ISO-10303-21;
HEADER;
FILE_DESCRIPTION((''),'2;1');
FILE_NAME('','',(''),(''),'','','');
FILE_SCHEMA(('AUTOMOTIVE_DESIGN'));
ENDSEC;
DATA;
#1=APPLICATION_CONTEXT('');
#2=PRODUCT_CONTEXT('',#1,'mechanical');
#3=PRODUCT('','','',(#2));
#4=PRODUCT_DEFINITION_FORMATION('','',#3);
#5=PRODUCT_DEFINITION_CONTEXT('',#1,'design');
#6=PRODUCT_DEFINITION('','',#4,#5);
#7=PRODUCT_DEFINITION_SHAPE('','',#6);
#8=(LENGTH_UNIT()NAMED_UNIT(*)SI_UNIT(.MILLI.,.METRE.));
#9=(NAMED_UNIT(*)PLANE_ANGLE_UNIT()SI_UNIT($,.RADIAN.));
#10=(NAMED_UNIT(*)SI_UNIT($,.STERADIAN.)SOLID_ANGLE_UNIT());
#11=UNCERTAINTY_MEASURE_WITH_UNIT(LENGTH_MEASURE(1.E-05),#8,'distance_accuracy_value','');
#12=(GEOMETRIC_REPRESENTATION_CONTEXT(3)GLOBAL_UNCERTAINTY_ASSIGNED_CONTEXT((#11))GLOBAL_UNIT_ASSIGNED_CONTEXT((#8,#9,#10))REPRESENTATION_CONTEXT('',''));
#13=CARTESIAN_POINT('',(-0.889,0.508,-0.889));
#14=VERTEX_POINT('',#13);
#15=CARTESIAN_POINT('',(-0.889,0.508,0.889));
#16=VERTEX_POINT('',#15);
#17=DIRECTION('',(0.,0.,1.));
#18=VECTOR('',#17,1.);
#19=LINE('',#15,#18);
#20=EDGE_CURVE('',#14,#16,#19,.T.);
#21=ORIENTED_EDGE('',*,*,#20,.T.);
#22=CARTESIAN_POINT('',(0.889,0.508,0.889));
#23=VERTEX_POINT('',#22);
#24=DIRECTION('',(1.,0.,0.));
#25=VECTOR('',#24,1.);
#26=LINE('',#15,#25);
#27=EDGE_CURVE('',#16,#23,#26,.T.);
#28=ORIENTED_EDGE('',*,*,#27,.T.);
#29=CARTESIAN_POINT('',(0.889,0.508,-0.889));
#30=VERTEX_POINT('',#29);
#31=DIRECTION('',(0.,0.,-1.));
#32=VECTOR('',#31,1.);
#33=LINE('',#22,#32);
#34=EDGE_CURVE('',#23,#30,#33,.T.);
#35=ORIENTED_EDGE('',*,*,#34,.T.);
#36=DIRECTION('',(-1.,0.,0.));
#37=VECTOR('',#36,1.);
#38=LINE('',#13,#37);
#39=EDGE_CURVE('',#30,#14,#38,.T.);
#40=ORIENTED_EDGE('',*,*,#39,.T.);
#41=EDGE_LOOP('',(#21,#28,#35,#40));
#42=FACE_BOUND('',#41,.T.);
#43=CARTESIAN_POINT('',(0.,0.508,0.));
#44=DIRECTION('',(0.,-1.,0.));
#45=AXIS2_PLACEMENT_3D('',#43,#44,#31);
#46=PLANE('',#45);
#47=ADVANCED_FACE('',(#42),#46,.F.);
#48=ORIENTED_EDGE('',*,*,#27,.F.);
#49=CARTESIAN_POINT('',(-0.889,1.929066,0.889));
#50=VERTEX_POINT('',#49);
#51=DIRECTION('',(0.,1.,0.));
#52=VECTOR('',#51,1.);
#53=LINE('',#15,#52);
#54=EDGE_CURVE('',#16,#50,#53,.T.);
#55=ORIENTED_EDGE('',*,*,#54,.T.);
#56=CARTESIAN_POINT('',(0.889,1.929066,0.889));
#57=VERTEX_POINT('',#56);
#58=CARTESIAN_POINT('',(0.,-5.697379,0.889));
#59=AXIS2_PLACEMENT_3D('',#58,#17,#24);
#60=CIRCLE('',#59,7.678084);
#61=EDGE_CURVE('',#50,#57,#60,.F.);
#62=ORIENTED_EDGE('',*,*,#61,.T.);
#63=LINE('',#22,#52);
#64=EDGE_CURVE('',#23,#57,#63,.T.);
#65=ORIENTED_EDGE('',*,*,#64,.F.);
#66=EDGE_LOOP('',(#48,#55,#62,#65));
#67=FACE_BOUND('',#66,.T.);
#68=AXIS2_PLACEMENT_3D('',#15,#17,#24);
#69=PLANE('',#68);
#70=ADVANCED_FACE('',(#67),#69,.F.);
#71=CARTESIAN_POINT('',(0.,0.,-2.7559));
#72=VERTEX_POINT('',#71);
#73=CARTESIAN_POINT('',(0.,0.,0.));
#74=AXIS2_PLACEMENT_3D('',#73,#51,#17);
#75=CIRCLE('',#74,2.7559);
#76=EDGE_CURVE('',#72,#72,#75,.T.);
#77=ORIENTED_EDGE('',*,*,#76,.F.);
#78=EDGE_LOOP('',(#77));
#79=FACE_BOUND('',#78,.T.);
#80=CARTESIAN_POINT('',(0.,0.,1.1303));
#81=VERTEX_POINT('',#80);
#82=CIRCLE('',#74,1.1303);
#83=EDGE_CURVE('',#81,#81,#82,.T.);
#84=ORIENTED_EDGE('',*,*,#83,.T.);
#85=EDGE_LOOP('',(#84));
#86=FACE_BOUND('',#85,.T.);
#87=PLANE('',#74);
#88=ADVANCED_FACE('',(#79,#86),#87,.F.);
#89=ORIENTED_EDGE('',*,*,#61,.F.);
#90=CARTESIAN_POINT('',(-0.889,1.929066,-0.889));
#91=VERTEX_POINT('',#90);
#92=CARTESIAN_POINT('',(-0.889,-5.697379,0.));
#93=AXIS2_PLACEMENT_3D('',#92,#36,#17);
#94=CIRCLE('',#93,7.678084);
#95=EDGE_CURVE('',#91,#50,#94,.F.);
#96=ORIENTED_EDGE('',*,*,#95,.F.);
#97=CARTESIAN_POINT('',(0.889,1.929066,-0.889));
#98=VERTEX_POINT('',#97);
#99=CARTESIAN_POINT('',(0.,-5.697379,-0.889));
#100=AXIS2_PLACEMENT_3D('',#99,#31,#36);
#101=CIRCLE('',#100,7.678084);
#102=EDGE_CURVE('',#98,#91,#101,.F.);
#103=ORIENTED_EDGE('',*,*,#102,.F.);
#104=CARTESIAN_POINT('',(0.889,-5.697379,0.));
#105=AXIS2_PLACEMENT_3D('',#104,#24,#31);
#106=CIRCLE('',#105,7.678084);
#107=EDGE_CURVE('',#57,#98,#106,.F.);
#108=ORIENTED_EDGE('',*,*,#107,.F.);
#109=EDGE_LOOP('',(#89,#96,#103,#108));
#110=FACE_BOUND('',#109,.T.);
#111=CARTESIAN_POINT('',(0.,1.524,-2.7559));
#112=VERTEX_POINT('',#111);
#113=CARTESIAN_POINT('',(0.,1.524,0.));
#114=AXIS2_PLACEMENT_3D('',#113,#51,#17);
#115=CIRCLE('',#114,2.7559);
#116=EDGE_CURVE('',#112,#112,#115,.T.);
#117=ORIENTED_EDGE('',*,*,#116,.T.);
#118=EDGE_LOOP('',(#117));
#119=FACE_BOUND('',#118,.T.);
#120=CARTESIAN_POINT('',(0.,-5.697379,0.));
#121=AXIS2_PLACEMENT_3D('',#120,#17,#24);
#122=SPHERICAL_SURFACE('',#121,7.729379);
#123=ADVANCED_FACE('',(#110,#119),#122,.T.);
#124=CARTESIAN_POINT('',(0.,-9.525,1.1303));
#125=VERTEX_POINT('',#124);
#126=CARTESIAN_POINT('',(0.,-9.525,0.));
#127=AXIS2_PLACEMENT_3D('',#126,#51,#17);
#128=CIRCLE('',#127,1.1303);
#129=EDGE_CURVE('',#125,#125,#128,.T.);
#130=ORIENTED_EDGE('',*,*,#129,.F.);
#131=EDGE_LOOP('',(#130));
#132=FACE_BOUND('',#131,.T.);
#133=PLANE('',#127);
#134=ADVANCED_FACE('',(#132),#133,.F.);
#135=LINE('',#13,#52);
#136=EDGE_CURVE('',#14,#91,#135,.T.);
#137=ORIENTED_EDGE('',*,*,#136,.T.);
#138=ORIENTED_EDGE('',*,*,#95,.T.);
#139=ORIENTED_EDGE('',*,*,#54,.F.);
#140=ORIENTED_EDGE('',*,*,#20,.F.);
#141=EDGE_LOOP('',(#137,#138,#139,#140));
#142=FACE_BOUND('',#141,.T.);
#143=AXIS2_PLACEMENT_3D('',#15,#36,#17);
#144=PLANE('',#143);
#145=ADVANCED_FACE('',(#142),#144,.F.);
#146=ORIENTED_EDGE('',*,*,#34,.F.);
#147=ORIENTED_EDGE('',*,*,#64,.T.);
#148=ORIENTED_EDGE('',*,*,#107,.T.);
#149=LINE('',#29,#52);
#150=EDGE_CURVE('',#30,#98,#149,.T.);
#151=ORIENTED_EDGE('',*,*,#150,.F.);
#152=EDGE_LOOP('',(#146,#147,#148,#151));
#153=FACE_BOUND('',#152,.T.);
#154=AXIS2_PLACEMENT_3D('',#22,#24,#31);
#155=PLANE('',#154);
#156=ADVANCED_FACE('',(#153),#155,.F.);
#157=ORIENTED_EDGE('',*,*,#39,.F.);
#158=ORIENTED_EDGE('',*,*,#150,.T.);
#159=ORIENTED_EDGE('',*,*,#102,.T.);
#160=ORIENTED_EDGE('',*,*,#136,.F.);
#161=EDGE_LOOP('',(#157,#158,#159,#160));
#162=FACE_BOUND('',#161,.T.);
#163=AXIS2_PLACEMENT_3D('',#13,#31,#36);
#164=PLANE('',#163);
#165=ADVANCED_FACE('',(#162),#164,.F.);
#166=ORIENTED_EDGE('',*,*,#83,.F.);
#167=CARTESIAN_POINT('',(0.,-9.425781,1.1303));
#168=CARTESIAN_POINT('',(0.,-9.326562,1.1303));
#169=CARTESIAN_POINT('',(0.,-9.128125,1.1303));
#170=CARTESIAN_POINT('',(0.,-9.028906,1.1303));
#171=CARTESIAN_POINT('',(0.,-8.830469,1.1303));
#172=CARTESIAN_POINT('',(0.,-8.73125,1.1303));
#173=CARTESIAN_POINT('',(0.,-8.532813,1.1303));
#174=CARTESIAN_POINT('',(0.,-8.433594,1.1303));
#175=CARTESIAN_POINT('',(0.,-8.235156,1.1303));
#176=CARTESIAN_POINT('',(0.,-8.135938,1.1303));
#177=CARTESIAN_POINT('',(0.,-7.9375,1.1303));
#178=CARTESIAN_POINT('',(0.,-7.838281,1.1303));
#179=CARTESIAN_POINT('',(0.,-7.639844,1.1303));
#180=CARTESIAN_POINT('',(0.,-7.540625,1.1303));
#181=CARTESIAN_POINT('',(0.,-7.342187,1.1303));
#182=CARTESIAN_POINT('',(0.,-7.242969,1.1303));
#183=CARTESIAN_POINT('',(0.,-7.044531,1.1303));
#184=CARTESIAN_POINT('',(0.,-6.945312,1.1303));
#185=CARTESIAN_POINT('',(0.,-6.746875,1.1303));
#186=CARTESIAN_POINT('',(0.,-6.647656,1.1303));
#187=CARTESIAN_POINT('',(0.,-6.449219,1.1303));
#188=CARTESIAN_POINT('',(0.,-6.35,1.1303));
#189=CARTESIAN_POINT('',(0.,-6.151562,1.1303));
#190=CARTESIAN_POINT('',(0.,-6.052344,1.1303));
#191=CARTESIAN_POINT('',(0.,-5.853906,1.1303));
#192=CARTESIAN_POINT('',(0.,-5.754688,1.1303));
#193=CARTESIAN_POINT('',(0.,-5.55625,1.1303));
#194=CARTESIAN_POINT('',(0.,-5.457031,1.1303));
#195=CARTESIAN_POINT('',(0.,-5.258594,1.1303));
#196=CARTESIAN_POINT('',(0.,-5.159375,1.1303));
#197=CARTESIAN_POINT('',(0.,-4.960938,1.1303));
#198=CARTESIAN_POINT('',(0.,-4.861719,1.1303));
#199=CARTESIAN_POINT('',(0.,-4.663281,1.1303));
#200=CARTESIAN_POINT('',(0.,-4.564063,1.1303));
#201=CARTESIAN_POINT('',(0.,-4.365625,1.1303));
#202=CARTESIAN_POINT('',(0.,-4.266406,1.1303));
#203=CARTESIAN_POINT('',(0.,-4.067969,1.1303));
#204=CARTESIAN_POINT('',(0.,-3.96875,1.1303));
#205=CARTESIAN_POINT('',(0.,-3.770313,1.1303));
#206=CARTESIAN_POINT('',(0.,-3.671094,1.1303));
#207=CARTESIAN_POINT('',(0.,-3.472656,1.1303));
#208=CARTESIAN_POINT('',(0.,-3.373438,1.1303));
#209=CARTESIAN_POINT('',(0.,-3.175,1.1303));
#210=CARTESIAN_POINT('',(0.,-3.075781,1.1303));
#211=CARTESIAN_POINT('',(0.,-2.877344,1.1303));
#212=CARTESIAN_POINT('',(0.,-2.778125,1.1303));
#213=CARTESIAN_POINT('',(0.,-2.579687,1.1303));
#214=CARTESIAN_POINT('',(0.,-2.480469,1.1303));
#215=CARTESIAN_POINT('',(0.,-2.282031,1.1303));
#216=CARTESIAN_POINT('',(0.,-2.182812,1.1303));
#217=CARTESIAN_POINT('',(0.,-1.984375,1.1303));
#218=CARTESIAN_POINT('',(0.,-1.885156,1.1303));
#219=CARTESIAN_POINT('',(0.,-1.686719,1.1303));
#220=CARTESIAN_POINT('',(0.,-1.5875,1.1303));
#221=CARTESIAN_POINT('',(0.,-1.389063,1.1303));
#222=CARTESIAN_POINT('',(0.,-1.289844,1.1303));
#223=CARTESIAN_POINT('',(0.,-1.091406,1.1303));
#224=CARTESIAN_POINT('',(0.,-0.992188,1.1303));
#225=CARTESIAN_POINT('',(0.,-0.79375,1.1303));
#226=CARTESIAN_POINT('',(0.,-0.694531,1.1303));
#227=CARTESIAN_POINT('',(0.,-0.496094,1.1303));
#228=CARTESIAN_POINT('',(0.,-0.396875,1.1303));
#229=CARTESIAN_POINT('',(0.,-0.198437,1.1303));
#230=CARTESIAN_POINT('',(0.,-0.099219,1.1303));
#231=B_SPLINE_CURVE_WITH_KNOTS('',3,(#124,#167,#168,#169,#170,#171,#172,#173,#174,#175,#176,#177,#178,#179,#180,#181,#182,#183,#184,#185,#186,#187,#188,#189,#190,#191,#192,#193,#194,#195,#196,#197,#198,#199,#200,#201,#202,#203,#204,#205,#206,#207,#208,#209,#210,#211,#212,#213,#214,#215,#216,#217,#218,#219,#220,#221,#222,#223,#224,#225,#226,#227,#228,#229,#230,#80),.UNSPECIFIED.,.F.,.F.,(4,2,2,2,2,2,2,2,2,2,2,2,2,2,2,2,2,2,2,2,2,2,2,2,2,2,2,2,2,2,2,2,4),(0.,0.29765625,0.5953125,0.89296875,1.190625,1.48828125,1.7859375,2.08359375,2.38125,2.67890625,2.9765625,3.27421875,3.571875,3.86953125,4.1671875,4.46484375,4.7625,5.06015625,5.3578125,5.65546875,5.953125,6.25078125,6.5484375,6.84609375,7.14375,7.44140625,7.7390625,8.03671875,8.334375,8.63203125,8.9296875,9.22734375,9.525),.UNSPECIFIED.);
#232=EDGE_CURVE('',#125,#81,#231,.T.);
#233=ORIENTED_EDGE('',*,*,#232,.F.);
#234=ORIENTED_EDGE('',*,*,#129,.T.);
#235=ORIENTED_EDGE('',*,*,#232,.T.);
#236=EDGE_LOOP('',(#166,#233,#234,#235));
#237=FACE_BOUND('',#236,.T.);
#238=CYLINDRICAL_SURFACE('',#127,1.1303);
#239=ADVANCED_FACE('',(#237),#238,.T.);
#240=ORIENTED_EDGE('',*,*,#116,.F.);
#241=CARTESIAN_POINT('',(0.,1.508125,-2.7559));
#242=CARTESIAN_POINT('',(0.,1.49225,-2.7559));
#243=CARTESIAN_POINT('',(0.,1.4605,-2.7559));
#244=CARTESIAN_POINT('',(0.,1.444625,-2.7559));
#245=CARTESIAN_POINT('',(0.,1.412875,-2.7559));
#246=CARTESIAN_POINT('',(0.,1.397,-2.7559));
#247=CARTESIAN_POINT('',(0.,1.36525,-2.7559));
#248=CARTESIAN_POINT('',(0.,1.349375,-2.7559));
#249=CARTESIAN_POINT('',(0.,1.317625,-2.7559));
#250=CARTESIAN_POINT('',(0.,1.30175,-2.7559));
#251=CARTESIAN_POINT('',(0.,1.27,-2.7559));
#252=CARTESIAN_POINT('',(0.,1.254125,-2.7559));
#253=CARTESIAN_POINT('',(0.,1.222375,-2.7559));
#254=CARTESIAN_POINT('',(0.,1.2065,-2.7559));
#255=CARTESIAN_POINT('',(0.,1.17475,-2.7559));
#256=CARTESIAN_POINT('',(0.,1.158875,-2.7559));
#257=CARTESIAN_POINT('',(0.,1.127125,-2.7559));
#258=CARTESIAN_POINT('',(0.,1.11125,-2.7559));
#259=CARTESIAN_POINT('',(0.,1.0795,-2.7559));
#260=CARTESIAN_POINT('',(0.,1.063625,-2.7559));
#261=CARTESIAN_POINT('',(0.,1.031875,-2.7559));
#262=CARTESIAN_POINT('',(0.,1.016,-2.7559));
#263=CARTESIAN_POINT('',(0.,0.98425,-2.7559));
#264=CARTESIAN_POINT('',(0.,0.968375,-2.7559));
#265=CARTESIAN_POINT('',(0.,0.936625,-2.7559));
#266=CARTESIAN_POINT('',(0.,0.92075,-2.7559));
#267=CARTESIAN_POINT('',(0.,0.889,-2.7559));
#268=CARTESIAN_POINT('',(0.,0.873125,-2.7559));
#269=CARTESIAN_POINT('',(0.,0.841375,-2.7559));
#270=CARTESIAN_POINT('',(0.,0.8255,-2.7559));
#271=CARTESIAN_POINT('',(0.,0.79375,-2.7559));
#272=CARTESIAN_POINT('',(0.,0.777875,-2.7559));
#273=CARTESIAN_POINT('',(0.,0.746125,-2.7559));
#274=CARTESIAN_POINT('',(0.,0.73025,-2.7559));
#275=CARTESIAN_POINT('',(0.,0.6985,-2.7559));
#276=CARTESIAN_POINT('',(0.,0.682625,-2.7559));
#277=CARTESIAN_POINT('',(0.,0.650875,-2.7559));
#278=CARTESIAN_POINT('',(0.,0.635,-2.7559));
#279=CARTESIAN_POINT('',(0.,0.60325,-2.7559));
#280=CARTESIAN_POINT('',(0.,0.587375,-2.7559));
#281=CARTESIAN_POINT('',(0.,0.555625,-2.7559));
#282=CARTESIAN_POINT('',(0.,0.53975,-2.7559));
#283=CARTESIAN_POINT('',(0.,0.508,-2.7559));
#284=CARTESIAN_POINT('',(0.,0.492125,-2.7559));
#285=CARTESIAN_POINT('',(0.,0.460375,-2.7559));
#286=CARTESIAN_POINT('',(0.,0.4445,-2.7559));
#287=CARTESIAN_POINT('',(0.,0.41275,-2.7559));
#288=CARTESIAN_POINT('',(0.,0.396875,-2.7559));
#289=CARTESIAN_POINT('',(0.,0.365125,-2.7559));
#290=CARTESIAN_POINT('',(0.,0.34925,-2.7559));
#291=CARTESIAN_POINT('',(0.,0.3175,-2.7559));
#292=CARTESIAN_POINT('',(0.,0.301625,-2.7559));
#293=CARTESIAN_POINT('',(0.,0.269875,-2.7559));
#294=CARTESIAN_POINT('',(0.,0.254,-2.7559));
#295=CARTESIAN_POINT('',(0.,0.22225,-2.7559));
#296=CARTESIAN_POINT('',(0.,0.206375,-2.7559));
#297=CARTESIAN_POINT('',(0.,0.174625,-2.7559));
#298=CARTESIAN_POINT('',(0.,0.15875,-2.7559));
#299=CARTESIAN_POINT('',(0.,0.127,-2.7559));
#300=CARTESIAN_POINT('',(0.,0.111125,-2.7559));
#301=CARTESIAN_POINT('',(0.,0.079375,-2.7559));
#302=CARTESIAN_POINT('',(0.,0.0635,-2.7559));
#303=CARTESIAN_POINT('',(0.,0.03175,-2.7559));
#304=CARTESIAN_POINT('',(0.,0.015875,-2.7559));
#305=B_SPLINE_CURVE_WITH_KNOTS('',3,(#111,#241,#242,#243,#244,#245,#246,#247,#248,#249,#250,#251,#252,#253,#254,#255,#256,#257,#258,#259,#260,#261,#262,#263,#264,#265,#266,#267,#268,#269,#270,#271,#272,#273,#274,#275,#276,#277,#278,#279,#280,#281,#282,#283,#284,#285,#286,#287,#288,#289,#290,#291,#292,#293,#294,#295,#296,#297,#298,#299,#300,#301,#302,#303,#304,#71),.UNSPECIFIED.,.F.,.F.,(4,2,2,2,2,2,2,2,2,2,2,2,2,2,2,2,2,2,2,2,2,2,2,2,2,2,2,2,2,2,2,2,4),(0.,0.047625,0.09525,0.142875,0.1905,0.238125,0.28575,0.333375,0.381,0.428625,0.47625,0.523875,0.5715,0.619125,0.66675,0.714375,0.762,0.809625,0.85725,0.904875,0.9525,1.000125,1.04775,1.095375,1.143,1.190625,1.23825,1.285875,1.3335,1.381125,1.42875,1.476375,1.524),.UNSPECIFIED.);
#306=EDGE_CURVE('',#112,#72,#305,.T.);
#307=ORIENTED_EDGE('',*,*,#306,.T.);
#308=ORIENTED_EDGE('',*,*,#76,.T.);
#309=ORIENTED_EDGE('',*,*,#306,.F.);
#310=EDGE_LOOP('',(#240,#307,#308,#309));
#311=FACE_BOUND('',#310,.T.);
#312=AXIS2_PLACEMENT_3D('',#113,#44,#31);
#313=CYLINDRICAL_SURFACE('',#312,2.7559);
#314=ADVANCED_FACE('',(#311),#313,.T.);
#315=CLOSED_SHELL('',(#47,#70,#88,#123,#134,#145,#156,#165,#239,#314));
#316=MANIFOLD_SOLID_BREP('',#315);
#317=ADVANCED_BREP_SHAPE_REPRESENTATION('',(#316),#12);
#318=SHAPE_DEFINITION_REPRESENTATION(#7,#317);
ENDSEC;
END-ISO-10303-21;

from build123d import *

# Parameters (mm, degrees)
SKETCH1_R            = 1.1303
THREADS_DEPTH        = 9.525
SKETCH2_R            = 2.7559
HEAD_DEPTH           = 1.524
HEADDOME_FACE_RADIUS = 2.7559
HEADDOME_HEIGHT      = 0.508
SKETCH3_W            = 1.778
SKETCH3_H            = 1.778
DRIVER_DEPTH         = 1.524


with BuildPart() as part:
    # Sketch1 → threads (new body)
    with BuildSketch(Plane(origin=(0, 0, 0), x_dir=(1, 0, 0), z_dir=(0, 1, 0))):
        with Locations(Location((0, 0, 0), (0, 0, 270))):
            Circle(SKETCH1_R)
    extrude(amount=-THREADS_DEPTH)

    # Sketch2 → Head (add)
    with BuildSketch(Plane(origin=(0, 0, 0), x_dir=(1, 0, 0), z_dir=(0, 1, 0))):
        with Locations(Location((0, 0, 0), (0, 0, 90))):
            Circle(SKETCH2_R)
    extrude(amount=HEAD_DEPTH)

    # HeadDome: a dome of height H over a round flat face of radius A is a cap of a sphere of radius (A * A + H * H) / (2 * H)
    headdome_r = (HEADDOME_FACE_RADIUS * HEADDOME_FACE_RADIUS + HEADDOME_HEIGHT * HEADDOME_HEIGHT) / (2 * HEADDOME_HEIGHT)
    headdome_base = Plane((0, 1.524, 0), z_dir=(0, 1, 0))
    with Locations(headdome_base.offset(HEADDOME_HEIGHT - headdome_r)):
        headdome_ball = Sphere(headdome_r, mode=Mode.PRIVATE)
    add(split(headdome_ball, bisect_by=headdome_base, keep=Keep.TOP, mode=Mode.PRIVATE))

    # Sketch3 → Driver (cut)
    with BuildSketch(Plane(origin=(0, 2.032, 0), x_dir=(1, 0, 0), z_dir=(0, 1, 0))):
        Rectangle(SKETCH3_W, SKETCH3_H)
    extrude(amount=-DRIVER_DEPTH, mode=Mode.SUBTRACT)


solid = part.part
